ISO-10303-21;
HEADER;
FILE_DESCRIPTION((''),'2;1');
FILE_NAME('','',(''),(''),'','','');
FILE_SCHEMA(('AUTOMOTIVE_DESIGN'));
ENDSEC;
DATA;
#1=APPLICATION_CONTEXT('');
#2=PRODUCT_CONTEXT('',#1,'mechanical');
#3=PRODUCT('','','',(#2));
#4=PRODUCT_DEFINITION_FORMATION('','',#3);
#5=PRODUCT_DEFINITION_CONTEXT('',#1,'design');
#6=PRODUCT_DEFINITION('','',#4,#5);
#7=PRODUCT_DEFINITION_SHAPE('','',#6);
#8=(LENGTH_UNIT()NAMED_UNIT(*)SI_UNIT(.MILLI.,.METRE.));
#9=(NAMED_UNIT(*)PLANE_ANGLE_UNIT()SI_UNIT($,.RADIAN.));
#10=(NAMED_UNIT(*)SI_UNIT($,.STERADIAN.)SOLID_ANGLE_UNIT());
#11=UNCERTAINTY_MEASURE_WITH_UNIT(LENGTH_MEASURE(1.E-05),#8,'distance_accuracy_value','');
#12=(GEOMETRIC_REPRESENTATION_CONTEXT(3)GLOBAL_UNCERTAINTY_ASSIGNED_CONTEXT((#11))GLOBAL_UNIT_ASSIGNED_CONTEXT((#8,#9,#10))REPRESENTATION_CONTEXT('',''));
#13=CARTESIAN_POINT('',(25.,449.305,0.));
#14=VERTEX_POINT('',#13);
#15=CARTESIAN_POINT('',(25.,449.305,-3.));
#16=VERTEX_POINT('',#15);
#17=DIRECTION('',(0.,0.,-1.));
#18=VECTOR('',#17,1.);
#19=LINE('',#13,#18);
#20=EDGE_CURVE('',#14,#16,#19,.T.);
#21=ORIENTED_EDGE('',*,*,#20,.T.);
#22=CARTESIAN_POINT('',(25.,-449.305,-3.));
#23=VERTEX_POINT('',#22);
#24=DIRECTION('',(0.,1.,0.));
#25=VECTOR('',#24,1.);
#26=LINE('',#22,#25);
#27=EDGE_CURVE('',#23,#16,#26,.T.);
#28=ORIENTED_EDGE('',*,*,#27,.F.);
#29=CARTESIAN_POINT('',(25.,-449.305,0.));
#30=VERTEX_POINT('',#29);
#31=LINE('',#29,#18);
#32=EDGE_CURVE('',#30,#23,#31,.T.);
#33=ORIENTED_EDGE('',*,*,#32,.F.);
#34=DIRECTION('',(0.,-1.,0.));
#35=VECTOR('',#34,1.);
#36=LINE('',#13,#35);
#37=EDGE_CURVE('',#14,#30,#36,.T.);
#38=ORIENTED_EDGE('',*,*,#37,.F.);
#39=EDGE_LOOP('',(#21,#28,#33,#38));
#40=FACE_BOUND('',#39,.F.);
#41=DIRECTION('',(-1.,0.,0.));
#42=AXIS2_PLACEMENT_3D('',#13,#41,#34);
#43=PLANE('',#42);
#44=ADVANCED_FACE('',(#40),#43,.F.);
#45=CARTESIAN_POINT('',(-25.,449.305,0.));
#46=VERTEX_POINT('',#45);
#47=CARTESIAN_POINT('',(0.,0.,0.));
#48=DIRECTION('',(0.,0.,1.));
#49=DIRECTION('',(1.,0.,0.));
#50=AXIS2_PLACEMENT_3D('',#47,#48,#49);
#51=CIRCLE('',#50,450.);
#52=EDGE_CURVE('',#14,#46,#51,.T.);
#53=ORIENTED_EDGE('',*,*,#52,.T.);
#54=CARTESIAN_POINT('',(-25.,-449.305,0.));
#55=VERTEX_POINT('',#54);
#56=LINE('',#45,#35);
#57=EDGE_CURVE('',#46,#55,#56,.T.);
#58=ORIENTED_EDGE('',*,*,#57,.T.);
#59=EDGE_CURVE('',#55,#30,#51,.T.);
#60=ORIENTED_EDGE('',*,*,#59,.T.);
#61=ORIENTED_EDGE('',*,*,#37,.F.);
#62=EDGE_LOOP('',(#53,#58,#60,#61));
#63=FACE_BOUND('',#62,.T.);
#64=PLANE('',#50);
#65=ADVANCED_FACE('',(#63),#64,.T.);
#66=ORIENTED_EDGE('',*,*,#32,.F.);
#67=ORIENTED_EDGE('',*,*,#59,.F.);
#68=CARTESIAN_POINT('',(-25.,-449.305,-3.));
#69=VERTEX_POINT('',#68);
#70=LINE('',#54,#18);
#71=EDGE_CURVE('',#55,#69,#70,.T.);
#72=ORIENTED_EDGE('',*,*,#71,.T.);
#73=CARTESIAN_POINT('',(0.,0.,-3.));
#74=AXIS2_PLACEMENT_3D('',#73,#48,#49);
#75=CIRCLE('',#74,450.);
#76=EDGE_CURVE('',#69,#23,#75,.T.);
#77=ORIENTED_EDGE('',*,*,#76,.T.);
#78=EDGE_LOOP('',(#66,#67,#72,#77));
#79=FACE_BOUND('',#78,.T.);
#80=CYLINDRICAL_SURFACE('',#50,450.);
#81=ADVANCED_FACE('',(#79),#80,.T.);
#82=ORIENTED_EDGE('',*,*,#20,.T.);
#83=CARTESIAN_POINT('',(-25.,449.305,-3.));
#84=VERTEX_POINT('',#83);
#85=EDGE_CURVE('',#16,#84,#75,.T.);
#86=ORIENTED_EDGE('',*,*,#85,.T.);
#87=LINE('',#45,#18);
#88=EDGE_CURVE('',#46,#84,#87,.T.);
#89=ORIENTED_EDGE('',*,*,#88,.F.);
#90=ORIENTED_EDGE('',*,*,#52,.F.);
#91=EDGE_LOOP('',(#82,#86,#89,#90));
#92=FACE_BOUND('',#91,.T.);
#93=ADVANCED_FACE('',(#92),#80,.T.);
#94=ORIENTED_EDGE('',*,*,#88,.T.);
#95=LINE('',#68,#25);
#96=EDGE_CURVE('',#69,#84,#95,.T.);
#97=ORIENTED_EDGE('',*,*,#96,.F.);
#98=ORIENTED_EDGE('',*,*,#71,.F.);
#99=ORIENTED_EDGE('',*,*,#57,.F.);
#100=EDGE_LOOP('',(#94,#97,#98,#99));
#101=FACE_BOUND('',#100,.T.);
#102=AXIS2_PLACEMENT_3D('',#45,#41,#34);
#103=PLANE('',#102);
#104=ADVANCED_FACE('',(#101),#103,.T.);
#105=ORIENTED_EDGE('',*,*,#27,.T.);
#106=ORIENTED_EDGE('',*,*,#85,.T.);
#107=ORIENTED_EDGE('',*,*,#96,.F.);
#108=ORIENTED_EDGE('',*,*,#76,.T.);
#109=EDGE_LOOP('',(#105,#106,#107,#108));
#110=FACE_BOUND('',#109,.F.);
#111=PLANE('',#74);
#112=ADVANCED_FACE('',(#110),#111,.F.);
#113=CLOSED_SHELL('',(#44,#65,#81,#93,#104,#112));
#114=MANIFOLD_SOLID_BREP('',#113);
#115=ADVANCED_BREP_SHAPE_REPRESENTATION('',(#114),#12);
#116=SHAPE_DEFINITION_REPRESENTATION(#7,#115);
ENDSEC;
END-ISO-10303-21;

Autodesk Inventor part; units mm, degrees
ref_plane "YZ Plane" through (0, 0, 0) normal (1, 0, 0) x (0, 1, 0)
ref_plane "XZ Plane" through (0, 0, 0) normal (0, 1, 0) x (-1, 0, 0)
ref_plane "XY Plane" through (0, 0, 0) normal (0, 0, 1) x (1, 0, 0)
sketch "Sketch1" plane through (0, 0, 0) normal (0, 0, 1) x (1, 0, 0)
  circle A0 centre (0, 0) radius 550 construction
  circle A1 centre (0, 0) radius 450
  line L0 (0, 450) -> (0, -450) construction
  line L1 (450, 0) -> (-450, 0)
  line L2 (25, 449.305) -> (25, -449.305)
  line L3 (-25, 449.305) -> (-25, -449.305)
  point P0 (0, 0)
  dimension "d12" = 900
  dimension "d11" = 1100
  dimension "d13" = 25
  dimension "d14" = 25
extrude "Plate2" add sketch "Sketch1" against normal blind 3 contours L2 L1 L3 A1 | A1 L3 L1 L2
equation "\"d12\" = d11 - 2 * Ширина_кольца"
equation "\"d11\" = Диаметр_вн"
equation "\"d13\" = 0.5 * Ширина_креста"
equation "\"d14\" = d13"
equation "\"d15\" = Thickness"
equation "\"BendReliefWidth\" = Thickness"
equation "\"BendReliefDepth\" = 0.5 * Thickness"
equation "\"CornerReliefSize\" = 4 * Thickness"
equation "\"MinimumRemnant\" = 2 * Thickness"
equation "\"TransitionRadius\" = BendRadius"
equation "\"JacobiRadiusSize\" = BendRadius"
equation "\"GapSize\" = Thickness"
equation "\"Ширина_кольца\" = 100"
equation "\"Диаметр_вн\" = 1100"
equation "\"Ширина_креста\" = 50"
equation "\"Thickness\" = 3"
equation "\"BendRadius\" = 5"
properties part number "BSH 503 inner cross" material "Stainless Steel"
